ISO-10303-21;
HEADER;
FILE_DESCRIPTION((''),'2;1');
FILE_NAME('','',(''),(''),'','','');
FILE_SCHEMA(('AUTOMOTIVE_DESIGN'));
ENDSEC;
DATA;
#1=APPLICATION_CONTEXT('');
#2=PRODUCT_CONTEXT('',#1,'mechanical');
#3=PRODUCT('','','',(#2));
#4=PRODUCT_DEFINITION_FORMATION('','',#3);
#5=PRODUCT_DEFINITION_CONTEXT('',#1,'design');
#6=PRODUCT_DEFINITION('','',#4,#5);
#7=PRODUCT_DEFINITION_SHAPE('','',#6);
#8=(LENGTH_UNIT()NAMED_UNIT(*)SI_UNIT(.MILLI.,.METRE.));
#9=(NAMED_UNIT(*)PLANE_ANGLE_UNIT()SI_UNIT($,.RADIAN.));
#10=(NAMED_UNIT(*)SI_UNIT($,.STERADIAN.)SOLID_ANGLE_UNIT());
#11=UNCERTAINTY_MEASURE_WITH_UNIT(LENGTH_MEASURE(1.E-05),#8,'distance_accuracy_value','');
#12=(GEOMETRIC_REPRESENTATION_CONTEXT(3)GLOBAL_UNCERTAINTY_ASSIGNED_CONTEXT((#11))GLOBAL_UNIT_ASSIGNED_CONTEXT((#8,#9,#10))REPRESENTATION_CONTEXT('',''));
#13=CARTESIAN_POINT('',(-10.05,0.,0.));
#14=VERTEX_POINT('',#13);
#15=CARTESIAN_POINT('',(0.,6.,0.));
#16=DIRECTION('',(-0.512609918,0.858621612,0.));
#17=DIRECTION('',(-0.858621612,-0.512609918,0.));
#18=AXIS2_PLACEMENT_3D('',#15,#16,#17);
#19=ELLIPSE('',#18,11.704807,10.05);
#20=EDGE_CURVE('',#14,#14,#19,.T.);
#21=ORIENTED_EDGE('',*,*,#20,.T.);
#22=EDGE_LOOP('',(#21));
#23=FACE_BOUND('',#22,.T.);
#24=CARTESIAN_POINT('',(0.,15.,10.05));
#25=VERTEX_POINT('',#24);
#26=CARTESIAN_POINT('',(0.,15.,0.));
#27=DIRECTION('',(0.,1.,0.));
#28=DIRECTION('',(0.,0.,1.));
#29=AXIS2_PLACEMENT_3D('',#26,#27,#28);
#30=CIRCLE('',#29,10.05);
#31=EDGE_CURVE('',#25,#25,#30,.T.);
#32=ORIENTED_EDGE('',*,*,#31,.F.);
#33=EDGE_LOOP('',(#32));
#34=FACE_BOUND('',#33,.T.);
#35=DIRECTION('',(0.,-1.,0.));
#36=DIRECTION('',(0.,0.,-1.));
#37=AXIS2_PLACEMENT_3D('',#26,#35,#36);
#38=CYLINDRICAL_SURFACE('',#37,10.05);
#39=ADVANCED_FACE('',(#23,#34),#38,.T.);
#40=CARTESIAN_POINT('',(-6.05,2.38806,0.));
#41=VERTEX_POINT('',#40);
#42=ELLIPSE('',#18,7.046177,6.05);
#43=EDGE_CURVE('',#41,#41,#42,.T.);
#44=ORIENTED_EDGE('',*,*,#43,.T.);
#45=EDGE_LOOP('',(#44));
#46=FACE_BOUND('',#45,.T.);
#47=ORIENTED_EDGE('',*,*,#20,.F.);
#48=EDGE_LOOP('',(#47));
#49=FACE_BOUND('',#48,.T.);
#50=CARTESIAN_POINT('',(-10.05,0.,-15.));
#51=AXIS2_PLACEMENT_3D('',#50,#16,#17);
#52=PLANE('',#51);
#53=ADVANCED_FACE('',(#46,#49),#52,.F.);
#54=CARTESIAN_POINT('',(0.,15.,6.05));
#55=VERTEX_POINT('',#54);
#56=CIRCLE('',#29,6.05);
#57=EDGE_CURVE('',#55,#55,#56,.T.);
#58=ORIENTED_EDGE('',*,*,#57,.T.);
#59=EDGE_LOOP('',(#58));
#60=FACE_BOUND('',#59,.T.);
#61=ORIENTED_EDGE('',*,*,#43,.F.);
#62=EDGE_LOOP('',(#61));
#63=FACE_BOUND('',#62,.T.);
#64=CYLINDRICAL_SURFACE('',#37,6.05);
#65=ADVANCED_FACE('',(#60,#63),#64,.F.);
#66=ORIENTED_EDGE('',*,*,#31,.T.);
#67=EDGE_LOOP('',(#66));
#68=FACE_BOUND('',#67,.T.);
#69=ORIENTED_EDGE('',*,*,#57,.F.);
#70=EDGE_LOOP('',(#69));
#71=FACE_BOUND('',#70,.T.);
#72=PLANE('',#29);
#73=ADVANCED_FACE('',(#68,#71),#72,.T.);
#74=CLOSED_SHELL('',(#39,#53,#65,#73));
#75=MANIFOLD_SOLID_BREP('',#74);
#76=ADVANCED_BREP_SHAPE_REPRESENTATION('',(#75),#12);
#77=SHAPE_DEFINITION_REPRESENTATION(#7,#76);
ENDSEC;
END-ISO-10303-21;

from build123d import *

# Parameters (mm, degrees)
SKETCH1_R           = 10.05
SKETCH1_R_2         = 6.05
BOSS_EXTRUDE1_DEPTH = 15
CUT_EXTRUDE1_DEPTH  = 15


with BuildPart() as part:
    # Sketch1 → Boss-Extrude1 (new body)
    with BuildSketch(Plane(origin=(0, 0, 0), x_dir=(1, 0, 0), z_dir=(0, 1, 0))):
        with Locations(Location((0, 0, 0), (0, 0, 270))):
            Circle(SKETCH1_R)
        with Locations(Location((0, 0, 0), (0, 0, 270))):
            Circle(SKETCH1_R_2, mode=Mode.SUBTRACT)
    extrude(amount=BOSS_EXTRUDE1_DEPTH)

    # Sketch3 → Cut-Extrude1 (cut, symmetric)
    with BuildSketch(Plane.XY):
        Polygon((-10.05, 0), (10.05, 12), (10.05, 0), align=None)
    extrude(amount=CUT_EXTRUDE1_DEPTH, both=True, mode=Mode.SUBTRACT)


solid = part.part
